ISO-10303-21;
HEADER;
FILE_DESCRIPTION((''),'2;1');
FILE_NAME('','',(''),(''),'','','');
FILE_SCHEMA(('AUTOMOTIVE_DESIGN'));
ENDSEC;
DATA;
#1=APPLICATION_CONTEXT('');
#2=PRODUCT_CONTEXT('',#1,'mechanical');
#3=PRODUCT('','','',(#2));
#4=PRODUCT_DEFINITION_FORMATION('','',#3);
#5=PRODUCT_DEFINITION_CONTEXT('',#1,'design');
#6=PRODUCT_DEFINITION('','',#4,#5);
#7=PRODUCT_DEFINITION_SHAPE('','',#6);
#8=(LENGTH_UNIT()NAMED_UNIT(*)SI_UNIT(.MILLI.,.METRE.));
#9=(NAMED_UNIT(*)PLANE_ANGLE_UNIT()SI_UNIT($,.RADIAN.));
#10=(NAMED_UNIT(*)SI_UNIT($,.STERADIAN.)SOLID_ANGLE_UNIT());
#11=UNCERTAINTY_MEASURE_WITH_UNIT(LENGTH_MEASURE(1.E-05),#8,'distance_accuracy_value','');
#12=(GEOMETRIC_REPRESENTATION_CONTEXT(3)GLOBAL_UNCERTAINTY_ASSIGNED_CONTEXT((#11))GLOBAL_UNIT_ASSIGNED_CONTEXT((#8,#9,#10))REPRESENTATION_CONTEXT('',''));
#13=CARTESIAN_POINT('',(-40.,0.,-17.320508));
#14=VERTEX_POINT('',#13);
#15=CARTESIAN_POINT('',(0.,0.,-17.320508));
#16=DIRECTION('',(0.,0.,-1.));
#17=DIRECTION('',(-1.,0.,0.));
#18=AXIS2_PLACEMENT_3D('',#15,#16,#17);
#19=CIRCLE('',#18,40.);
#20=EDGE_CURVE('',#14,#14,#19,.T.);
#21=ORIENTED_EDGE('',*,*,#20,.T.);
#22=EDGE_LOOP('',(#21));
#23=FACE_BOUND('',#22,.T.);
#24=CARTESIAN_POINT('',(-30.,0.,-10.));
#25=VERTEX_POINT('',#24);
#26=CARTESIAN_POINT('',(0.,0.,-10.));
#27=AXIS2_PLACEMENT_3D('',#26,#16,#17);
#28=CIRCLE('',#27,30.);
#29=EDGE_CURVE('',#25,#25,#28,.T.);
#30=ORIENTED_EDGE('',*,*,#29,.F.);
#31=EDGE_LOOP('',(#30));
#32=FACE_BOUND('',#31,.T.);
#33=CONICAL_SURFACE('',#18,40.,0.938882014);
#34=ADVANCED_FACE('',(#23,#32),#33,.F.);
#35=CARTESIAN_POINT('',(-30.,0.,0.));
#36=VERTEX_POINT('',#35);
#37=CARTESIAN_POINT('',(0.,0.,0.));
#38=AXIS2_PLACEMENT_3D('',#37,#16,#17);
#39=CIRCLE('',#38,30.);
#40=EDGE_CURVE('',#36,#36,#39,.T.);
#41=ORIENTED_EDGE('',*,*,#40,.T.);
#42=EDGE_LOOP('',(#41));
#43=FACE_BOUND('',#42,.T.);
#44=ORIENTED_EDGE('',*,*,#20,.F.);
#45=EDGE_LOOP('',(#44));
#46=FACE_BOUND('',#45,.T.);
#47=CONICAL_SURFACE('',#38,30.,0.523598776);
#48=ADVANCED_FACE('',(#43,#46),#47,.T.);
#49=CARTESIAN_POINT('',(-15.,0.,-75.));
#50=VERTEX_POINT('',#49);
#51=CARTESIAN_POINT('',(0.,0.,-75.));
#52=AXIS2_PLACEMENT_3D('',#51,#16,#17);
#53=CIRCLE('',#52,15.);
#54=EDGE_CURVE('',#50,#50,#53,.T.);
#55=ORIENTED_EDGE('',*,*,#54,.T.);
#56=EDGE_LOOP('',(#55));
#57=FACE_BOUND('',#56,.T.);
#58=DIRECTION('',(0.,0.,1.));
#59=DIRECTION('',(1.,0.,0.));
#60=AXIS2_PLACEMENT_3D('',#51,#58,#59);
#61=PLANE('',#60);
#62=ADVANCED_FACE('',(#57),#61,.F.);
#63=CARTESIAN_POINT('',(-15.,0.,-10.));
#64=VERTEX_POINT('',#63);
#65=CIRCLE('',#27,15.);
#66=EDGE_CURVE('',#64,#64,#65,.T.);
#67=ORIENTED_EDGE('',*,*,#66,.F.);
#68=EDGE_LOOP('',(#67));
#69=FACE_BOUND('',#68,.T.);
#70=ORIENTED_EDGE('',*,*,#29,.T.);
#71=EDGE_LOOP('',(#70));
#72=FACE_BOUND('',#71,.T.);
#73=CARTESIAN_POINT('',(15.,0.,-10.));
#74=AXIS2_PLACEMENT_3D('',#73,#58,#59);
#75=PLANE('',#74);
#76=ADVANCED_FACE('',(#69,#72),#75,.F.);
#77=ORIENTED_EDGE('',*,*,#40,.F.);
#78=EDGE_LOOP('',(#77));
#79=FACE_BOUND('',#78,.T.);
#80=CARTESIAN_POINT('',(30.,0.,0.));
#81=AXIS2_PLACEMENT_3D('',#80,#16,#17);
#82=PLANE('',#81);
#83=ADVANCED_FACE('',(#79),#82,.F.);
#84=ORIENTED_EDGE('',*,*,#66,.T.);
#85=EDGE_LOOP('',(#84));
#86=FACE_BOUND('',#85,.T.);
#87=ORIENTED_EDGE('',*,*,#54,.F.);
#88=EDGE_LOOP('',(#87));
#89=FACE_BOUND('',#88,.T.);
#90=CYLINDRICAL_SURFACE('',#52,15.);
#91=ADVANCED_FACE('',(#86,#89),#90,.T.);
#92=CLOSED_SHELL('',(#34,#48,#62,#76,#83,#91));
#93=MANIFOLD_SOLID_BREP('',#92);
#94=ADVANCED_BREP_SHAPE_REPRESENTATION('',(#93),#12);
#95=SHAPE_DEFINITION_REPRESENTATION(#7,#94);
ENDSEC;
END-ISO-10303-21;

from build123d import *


with BuildPart() as part:
    # Sketch1 → Revolve1 (revolve)
    with BuildSketch(Plane(origin=(0, 0, 0), x_dir=(1, 0, 0), z_dir=(0, 1, 0)), mode=Mode.PRIVATE) as revolve1_sk:
        Polygon((0, 75), (15, 75), (15, 10), (30, 10), (40, 17.320508076), (30, 0), (0, 0), align=None)
    revolve(revolve1_sk.sketch.rotate(Axis((0, 0, -75), (0, 0, 1)), 180), axis=Axis((0, 0, -75), (0, 0, 1)))


solid = part.part
